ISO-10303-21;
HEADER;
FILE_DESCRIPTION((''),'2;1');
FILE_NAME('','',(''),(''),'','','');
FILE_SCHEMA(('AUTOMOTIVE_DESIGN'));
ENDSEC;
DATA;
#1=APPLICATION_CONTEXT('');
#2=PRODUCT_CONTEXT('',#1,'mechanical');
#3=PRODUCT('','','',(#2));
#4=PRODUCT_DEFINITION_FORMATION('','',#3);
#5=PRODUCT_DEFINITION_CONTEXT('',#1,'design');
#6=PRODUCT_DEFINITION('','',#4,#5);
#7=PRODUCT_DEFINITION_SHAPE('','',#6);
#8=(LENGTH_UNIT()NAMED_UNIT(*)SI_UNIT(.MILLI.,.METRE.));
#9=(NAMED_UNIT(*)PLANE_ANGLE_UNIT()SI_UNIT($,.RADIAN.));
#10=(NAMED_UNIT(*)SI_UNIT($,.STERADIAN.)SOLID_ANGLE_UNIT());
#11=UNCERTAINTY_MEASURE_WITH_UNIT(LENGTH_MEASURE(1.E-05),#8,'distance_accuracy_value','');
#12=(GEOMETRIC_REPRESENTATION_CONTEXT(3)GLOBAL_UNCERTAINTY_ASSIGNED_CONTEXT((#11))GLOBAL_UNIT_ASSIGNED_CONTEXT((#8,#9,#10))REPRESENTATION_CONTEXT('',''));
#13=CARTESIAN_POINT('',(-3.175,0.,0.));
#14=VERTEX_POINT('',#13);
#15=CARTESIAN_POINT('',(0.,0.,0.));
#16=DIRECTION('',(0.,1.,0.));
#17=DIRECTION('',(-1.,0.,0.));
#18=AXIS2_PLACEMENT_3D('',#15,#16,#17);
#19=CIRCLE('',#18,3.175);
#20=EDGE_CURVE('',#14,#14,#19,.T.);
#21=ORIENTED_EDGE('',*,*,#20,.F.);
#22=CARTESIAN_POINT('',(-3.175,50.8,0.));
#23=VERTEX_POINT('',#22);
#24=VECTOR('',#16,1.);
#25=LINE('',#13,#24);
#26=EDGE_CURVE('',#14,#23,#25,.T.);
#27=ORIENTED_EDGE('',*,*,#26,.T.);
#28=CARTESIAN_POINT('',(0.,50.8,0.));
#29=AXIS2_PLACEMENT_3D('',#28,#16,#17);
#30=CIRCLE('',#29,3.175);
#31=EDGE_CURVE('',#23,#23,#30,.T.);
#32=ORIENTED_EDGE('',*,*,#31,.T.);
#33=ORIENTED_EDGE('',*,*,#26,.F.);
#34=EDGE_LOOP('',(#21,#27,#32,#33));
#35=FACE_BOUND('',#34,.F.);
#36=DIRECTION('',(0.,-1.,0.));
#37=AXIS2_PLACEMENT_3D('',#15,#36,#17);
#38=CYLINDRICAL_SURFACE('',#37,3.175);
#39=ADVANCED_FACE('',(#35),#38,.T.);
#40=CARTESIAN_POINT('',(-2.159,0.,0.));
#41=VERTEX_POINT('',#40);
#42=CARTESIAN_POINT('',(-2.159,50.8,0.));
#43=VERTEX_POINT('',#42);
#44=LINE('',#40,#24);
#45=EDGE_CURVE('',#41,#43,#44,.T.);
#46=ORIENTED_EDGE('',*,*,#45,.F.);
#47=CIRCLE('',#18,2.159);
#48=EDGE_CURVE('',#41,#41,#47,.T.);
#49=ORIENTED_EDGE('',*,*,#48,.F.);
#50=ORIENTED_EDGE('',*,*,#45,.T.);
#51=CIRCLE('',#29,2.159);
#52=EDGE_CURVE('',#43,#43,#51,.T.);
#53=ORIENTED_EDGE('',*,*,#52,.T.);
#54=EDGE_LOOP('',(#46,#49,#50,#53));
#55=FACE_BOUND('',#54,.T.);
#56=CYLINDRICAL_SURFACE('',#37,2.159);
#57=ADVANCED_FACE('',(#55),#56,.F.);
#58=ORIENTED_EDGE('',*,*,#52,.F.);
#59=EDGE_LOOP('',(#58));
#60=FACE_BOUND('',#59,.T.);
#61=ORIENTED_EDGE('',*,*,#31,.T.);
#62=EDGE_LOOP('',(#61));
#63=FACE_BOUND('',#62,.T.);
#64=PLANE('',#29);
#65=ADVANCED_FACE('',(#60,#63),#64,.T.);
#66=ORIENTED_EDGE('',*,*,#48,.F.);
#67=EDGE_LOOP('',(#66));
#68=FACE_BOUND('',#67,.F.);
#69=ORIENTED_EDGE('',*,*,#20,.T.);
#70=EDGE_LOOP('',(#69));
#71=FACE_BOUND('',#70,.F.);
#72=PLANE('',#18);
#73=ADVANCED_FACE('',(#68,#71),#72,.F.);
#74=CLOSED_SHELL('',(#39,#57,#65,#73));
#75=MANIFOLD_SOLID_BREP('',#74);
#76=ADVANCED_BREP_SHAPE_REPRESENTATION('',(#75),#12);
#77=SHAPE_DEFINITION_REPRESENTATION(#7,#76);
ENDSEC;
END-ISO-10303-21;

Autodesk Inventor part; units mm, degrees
ref_plane "YZ Plane" through (0, 0, 0) normal (1, 0, 0) x (0, 1, 0)
ref_plane "XZ Plane" through (0, 0, 0) normal (0, 1, 0) x (-1, 0, 0)
ref_plane "XY Plane" through (0, 0, 0) normal (0, 0, 1) x (1, 0, 0)
sketch "Sketch1" plane through (0, 0, 0) normal (0, 1, 0) x (-1, 0, 0)
  circle A0 centre (0, 0) radius 3.175
  circle A1 centre (0, 0) radius 2.159
  dimension "d0" = 6.35
  dimension "d1" = 1.016
extrude "Extrusion1" add sketch "Sketch1" along normal blind 50.8
properties part number "1.25 Inch StandOff" material "Aluminum 6061"
